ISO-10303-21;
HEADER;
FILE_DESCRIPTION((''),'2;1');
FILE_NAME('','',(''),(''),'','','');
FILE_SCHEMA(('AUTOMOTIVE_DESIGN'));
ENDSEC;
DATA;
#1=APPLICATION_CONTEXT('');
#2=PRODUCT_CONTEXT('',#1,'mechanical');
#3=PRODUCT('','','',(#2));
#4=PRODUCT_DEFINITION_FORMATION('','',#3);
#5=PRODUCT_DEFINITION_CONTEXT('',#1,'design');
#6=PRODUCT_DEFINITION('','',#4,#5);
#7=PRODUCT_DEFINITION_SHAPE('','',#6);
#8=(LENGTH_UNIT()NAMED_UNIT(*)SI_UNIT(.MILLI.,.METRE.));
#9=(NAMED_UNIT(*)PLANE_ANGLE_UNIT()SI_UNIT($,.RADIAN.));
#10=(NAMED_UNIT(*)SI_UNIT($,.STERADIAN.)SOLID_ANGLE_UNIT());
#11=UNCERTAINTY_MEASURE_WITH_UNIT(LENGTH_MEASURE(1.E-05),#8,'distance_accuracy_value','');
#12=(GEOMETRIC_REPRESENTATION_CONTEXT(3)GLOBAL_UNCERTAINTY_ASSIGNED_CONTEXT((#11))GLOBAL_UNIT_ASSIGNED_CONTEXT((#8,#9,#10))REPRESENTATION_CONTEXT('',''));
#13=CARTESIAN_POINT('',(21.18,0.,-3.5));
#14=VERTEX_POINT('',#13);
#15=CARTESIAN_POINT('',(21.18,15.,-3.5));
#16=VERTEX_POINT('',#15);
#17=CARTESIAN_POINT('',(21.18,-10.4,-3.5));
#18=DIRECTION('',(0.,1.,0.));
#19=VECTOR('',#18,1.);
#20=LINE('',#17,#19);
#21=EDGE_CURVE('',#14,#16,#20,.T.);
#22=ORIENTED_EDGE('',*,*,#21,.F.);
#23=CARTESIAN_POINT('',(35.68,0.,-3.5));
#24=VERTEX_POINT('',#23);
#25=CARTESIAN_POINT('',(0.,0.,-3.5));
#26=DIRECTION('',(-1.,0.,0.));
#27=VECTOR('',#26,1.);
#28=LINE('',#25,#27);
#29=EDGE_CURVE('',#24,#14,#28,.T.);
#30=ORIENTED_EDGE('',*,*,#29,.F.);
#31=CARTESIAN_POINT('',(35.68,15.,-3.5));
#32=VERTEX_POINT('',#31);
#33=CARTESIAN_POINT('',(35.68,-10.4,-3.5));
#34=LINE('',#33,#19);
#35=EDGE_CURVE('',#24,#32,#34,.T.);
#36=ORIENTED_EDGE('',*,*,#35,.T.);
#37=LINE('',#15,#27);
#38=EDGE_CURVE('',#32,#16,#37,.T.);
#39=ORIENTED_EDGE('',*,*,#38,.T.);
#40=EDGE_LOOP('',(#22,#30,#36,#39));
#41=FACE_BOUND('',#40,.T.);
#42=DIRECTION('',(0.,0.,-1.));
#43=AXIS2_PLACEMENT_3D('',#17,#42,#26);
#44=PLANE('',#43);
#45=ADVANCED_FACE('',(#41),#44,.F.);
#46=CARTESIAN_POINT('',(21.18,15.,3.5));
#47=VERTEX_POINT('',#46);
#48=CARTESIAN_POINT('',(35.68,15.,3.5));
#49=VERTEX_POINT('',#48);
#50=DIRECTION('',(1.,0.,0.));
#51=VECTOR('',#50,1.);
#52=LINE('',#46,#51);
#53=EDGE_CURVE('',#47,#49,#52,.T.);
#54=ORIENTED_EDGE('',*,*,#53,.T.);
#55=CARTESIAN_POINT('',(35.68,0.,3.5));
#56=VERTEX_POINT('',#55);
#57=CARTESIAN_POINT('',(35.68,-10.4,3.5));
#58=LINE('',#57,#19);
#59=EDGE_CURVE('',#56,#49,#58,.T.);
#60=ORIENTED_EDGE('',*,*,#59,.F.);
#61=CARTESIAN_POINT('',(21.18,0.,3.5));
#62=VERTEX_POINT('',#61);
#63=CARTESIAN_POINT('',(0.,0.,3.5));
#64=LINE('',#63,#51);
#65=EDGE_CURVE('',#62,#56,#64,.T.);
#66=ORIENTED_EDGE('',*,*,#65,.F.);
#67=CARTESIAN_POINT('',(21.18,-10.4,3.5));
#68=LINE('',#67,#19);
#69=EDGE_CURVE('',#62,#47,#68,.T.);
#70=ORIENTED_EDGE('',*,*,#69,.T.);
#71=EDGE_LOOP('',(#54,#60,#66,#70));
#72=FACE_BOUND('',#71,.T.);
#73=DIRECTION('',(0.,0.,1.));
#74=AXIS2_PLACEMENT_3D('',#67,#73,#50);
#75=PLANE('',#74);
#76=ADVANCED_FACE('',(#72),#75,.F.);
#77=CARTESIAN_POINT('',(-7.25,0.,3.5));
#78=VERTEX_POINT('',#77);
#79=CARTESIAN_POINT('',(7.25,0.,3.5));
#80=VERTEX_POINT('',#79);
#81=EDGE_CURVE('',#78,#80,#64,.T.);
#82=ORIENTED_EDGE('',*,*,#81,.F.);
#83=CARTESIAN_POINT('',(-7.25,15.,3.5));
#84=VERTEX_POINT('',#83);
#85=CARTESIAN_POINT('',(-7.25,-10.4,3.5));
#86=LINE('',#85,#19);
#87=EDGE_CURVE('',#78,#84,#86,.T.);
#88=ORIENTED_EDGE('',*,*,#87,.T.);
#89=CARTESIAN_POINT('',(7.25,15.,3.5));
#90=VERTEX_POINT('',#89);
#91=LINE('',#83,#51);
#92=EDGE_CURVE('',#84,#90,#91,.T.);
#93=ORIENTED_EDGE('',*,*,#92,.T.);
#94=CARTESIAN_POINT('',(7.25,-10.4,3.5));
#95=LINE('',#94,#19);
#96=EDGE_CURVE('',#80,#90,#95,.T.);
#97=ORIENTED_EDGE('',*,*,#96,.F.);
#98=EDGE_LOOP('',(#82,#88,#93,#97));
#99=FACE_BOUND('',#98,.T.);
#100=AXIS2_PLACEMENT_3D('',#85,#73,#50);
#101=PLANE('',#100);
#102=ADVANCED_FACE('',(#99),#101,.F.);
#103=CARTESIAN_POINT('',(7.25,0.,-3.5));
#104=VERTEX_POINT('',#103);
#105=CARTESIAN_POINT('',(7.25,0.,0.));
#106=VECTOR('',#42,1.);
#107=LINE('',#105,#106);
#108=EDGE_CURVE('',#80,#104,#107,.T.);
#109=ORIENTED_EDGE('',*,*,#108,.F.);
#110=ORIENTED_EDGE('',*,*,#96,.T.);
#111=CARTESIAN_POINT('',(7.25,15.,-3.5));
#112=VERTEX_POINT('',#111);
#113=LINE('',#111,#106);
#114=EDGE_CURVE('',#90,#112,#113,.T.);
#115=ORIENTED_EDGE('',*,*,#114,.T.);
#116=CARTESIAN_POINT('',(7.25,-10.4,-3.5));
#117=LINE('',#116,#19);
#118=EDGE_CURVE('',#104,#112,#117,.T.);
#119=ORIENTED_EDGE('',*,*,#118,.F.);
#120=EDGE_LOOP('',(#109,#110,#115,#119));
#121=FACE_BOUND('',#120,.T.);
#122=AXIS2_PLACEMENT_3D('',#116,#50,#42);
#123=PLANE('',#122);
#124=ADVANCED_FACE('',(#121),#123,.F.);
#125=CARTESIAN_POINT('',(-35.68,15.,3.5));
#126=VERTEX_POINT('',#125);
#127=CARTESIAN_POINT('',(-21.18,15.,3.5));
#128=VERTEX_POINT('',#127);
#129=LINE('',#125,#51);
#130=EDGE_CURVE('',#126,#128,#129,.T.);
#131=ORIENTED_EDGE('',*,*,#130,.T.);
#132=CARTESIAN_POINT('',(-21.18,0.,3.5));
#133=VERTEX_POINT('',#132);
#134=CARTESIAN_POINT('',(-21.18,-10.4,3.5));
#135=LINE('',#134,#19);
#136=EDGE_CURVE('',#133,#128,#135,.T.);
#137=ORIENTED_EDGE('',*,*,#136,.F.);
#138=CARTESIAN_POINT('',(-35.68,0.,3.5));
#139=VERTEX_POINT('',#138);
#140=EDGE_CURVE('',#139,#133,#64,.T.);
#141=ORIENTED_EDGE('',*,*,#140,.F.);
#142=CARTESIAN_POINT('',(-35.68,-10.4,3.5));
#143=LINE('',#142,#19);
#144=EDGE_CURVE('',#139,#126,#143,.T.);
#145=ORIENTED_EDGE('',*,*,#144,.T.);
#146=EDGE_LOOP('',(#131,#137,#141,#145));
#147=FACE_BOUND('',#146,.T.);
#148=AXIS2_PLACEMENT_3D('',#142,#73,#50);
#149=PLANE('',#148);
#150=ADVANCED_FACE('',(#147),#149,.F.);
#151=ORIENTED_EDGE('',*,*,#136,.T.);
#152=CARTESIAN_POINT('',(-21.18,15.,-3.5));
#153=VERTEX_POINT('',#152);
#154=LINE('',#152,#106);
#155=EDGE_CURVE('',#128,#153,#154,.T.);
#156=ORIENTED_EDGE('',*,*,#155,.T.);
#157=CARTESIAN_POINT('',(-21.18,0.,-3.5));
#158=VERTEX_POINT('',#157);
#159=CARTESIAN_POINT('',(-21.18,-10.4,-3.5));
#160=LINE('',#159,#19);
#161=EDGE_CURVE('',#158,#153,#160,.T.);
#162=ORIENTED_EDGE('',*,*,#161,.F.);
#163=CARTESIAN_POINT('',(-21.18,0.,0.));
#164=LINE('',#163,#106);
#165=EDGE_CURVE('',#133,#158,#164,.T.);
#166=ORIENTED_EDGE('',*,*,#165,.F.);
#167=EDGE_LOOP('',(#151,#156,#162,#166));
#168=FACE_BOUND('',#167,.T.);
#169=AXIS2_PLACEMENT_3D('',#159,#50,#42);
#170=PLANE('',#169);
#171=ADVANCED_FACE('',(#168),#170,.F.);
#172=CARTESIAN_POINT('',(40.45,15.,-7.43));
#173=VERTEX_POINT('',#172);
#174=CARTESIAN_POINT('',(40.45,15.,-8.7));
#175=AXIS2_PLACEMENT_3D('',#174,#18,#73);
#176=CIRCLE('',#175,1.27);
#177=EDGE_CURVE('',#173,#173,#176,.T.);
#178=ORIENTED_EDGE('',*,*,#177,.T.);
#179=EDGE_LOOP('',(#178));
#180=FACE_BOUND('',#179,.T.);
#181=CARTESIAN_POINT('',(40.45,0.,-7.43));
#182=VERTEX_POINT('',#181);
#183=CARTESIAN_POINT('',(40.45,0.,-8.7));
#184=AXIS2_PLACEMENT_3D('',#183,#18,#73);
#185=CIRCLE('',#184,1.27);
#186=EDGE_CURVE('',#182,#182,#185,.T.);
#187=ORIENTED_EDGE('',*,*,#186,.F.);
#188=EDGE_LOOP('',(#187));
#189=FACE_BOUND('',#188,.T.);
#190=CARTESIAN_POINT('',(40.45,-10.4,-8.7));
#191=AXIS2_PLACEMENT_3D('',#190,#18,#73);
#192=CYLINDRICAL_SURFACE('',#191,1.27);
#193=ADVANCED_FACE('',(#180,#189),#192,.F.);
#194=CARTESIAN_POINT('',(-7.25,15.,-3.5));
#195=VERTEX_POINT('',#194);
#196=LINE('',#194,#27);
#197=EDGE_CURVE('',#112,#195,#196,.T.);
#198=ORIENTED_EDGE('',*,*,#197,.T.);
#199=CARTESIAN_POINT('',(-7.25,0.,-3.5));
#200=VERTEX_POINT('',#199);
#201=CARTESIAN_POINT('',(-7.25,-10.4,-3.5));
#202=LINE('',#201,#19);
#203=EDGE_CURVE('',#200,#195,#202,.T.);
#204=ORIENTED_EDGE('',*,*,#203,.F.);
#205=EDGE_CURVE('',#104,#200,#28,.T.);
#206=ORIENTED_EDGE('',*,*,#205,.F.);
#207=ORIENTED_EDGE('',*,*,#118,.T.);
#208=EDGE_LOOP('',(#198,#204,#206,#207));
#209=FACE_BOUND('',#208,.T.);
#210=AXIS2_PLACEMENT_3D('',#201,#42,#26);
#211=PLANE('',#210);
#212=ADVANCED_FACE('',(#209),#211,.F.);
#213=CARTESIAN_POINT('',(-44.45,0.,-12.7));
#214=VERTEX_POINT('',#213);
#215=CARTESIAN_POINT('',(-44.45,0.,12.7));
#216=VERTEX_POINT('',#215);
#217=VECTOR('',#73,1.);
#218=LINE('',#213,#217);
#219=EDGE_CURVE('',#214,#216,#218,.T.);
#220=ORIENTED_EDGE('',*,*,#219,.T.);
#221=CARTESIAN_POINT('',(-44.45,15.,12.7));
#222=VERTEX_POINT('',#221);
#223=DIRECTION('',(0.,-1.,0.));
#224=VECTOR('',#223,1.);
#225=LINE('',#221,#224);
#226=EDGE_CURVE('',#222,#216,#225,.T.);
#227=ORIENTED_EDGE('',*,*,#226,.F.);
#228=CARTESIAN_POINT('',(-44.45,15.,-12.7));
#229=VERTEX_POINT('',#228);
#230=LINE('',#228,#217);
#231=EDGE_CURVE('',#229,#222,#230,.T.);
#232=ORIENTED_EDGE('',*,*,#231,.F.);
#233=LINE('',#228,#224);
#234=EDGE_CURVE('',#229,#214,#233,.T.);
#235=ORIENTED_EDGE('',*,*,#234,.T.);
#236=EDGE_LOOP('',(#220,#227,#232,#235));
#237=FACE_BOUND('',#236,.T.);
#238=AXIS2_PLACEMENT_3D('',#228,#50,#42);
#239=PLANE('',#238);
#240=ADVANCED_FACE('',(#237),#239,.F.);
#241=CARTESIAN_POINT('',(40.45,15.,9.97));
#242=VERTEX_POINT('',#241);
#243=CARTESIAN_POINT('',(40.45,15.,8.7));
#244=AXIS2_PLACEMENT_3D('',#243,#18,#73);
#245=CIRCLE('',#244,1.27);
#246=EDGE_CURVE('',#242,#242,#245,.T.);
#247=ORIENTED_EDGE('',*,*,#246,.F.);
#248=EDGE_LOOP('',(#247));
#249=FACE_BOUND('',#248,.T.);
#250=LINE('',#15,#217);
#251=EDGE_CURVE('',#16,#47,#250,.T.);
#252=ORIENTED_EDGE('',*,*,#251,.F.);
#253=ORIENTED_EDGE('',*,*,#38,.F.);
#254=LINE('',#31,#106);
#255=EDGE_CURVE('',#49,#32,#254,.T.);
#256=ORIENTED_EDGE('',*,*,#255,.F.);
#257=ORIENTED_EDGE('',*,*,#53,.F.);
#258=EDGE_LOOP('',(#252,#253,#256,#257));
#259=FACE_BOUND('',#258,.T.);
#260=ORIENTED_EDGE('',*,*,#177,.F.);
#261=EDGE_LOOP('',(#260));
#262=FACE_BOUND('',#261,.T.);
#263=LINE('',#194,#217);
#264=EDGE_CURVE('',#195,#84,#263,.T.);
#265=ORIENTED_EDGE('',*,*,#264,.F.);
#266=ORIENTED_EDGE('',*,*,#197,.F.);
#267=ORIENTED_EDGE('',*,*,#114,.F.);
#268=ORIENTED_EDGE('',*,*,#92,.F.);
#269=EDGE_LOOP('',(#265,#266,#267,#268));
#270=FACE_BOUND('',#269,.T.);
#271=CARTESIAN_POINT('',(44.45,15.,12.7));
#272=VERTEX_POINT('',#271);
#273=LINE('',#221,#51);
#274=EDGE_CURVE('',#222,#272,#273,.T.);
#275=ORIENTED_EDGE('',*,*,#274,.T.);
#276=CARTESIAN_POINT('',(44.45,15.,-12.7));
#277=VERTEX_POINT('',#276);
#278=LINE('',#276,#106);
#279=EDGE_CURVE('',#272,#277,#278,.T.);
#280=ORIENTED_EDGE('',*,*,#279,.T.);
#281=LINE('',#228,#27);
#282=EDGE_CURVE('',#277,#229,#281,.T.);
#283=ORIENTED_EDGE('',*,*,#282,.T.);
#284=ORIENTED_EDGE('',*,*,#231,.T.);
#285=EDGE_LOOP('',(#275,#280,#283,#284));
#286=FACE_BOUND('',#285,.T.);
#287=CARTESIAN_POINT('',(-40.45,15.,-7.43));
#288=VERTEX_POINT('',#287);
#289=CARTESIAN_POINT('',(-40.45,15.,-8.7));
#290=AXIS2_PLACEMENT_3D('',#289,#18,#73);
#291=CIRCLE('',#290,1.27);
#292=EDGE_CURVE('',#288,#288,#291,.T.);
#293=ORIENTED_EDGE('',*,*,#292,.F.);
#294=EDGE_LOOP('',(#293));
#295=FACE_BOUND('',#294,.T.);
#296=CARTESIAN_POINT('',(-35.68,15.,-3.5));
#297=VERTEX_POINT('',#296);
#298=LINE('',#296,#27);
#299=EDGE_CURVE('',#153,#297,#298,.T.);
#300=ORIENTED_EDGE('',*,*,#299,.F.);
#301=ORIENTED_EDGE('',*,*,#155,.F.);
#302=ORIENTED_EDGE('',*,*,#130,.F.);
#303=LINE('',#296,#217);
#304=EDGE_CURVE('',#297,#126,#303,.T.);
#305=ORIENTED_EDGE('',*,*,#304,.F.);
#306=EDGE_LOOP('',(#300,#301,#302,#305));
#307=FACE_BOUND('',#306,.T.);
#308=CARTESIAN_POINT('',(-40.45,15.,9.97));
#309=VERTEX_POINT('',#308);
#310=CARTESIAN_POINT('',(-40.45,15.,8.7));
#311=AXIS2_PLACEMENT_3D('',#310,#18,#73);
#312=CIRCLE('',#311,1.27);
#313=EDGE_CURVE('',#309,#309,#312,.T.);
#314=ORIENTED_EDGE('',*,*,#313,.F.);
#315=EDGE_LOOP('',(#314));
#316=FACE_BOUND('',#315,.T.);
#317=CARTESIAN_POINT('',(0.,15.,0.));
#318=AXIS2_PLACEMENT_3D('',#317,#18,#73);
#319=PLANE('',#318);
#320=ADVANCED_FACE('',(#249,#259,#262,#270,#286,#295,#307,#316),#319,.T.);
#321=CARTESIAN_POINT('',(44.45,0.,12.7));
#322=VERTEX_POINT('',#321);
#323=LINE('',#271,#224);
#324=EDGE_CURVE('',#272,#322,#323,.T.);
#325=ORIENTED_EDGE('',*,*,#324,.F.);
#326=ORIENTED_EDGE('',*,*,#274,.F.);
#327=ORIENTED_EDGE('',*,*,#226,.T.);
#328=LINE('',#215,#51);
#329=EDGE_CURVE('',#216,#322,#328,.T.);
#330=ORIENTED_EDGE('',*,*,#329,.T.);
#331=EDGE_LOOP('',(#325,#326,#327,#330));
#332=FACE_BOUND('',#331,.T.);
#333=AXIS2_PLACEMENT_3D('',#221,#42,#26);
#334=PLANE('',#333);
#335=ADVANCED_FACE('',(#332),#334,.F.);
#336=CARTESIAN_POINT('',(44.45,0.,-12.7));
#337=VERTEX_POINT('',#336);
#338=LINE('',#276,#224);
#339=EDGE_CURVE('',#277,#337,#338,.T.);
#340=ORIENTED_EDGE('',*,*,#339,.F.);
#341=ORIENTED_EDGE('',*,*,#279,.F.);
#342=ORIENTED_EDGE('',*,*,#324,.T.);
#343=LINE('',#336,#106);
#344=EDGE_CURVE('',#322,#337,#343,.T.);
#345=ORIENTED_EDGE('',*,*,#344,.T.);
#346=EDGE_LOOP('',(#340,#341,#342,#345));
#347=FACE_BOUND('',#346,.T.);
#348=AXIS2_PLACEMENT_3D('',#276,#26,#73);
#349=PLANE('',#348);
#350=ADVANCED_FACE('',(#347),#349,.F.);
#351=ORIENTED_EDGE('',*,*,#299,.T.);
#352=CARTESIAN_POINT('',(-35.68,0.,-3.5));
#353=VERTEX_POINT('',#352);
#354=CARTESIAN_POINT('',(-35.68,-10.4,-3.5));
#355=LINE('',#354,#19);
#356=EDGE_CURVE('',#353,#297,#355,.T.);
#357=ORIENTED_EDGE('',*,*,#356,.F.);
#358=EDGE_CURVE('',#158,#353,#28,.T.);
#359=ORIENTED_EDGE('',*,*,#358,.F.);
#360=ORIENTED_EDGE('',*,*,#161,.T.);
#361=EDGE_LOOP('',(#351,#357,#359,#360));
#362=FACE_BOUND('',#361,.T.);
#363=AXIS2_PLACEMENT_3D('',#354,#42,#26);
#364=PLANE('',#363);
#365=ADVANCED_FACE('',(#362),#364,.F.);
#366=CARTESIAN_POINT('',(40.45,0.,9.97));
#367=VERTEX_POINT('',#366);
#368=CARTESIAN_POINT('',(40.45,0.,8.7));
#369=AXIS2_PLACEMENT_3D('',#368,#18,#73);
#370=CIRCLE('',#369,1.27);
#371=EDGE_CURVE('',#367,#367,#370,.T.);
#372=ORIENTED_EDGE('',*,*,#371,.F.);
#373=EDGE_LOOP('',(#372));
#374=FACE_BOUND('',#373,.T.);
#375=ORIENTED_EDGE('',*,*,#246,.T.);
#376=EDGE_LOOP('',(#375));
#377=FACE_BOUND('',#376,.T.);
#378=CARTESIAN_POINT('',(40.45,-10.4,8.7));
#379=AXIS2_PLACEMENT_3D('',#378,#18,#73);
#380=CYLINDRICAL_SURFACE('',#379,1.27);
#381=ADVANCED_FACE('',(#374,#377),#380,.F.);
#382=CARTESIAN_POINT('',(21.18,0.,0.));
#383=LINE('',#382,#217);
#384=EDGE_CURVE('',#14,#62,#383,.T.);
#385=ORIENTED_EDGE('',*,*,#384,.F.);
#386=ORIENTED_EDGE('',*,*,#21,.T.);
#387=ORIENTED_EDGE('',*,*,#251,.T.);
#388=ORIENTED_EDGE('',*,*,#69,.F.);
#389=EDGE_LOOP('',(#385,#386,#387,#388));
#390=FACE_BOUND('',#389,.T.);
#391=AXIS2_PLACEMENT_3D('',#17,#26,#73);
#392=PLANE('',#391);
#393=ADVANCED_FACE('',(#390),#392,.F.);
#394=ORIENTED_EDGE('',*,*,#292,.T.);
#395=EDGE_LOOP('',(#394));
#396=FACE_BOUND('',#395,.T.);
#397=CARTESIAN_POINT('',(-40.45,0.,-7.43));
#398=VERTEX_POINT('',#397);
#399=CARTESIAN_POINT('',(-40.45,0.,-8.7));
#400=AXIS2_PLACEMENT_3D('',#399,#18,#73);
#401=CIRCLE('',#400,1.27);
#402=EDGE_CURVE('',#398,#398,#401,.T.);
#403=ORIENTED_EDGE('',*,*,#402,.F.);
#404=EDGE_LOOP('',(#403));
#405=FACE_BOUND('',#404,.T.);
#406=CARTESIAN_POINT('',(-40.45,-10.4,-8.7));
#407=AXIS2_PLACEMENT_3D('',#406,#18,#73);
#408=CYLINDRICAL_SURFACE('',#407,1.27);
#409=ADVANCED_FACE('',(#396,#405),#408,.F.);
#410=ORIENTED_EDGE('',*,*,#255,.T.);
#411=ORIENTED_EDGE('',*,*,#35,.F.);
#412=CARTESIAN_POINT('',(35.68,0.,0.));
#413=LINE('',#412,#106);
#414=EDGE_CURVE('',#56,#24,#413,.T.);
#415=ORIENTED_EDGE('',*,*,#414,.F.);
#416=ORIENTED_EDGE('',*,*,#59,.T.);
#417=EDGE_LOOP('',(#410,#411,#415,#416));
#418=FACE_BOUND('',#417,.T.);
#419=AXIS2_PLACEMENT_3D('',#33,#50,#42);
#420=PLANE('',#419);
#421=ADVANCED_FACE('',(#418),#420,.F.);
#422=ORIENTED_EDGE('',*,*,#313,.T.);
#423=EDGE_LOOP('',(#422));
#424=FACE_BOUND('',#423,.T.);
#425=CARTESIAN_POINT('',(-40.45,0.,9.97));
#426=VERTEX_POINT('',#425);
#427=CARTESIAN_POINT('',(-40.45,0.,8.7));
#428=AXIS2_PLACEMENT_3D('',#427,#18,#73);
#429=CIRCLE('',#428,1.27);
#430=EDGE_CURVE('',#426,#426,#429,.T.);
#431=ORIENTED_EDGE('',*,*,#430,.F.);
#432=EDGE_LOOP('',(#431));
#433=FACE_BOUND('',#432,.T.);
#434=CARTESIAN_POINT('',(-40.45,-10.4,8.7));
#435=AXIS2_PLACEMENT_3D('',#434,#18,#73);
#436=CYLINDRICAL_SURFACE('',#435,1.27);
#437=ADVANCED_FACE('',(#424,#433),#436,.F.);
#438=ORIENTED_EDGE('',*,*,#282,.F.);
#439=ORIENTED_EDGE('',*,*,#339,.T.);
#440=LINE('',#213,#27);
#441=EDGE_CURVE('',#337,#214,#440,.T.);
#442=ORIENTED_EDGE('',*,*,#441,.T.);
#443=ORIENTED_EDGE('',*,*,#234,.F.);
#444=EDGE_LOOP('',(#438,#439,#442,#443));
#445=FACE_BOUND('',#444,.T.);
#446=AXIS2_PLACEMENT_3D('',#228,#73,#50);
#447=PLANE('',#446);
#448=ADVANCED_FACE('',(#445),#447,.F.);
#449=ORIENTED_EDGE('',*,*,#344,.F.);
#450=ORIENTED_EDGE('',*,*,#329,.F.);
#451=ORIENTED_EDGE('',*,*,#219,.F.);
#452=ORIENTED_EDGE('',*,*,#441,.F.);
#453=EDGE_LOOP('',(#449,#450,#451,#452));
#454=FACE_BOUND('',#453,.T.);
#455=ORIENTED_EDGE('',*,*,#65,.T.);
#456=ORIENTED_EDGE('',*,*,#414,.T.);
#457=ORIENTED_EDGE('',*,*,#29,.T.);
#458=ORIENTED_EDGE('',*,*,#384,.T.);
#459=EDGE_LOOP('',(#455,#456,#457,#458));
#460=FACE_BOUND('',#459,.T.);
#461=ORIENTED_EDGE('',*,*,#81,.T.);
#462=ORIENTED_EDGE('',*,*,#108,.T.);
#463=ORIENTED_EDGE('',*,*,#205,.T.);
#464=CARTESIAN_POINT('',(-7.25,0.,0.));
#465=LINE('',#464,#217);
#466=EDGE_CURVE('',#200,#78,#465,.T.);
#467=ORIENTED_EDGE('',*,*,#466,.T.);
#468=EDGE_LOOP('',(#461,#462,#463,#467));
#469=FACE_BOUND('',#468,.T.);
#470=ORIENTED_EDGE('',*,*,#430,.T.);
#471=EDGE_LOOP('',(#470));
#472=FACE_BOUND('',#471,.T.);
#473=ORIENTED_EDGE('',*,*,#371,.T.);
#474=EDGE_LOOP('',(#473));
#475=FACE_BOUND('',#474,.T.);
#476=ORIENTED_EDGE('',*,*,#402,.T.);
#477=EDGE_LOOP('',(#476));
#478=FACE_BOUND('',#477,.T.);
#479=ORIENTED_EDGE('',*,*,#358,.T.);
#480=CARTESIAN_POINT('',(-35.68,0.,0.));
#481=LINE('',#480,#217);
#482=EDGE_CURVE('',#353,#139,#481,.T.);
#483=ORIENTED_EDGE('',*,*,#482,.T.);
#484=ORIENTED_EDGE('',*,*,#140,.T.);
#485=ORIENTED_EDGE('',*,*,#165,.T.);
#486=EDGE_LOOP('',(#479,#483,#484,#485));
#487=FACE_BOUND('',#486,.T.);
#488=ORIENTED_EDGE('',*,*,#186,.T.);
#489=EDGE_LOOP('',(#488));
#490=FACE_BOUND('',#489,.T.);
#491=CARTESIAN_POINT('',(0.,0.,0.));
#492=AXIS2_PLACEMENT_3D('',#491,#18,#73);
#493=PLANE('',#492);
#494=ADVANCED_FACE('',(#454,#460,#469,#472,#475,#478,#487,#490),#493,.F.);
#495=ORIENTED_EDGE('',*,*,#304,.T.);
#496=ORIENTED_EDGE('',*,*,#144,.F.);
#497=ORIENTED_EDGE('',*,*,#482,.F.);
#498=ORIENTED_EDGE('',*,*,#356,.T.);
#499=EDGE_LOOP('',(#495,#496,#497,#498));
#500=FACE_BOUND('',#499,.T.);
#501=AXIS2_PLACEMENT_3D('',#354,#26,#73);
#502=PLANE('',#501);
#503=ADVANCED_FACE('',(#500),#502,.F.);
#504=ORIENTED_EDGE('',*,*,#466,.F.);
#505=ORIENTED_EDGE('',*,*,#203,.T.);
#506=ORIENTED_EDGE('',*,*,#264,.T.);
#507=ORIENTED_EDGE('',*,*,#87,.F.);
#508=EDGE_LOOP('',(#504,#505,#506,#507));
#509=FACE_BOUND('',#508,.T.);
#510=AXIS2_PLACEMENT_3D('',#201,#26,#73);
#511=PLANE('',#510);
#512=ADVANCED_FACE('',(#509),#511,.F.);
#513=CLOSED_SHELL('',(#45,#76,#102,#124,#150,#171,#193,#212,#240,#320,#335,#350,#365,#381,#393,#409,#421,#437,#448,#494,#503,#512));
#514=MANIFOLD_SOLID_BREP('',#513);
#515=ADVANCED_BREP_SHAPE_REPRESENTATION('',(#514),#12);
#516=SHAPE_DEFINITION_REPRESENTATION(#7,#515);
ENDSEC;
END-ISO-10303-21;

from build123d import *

# Parameters (mm, degrees)
SKETCH1_W           = 88.9
SKETCH1_H           = 25.4
BOSS_EXTRUDE1_DEPTH = 14.999999972
SKETCH2_W           = 14.499999956
SKETCH2_H           = 6.99999997
CUT_EXTRUDE1_DEPTH  = 25.4
SKETCH3_R           = 1.27
CUT_EXTRUDE3_DEPTH  = 25.4


with BuildPart() as part:
    # Sketch1 → Boss-Extrude1 (new body)
    with BuildSketch(Plane(origin=(0, 0, 0), x_dir=(1, 0, 0), z_dir=(0, 1, 0))):
        Rectangle(SKETCH1_W, SKETCH1_H)
    extrude(amount=BOSS_EXTRUDE1_DEPTH)

    # Sketch2 → Cut-Extrude1 (cut)
    with BuildSketch(Plane(origin=(0, 14.999999972, 0), x_dir=(1, 0, 0), z_dir=(0, 1, 0))):
        Rectangle(SKETCH2_W, SKETCH2_H)
        with Locations((-28.430000036, 0)):
            Rectangle(SKETCH2_W, SKETCH2_H)
        with Locations((28.430000036, 0)):
            Rectangle(SKETCH2_W, SKETCH2_H)
    extrude(amount=-CUT_EXTRUDE1_DEPTH, mode=Mode.SUBTRACT)

    # Sketch3 → Cut-Extrude3 (cut)
    with BuildSketch(Plane(origin=(0, 14.999999972, 0), x_dir=(1, 0, 0), z_dir=(0, 1, 0))):
        with Locations((-40.45, 8.7)):
            Circle(SKETCH3_R)
        with Locations((40.45, 8.7)):
            Circle(SKETCH3_R)
        with Locations((-40.45, -8.7)):
            Circle(SKETCH3_R)
        with Locations((40.45, -8.7)):
            Circle(SKETCH3_R)
    extrude(amount=-CUT_EXTRUDE3_DEPTH, mode=Mode.SUBTRACT)


solid = part.part
